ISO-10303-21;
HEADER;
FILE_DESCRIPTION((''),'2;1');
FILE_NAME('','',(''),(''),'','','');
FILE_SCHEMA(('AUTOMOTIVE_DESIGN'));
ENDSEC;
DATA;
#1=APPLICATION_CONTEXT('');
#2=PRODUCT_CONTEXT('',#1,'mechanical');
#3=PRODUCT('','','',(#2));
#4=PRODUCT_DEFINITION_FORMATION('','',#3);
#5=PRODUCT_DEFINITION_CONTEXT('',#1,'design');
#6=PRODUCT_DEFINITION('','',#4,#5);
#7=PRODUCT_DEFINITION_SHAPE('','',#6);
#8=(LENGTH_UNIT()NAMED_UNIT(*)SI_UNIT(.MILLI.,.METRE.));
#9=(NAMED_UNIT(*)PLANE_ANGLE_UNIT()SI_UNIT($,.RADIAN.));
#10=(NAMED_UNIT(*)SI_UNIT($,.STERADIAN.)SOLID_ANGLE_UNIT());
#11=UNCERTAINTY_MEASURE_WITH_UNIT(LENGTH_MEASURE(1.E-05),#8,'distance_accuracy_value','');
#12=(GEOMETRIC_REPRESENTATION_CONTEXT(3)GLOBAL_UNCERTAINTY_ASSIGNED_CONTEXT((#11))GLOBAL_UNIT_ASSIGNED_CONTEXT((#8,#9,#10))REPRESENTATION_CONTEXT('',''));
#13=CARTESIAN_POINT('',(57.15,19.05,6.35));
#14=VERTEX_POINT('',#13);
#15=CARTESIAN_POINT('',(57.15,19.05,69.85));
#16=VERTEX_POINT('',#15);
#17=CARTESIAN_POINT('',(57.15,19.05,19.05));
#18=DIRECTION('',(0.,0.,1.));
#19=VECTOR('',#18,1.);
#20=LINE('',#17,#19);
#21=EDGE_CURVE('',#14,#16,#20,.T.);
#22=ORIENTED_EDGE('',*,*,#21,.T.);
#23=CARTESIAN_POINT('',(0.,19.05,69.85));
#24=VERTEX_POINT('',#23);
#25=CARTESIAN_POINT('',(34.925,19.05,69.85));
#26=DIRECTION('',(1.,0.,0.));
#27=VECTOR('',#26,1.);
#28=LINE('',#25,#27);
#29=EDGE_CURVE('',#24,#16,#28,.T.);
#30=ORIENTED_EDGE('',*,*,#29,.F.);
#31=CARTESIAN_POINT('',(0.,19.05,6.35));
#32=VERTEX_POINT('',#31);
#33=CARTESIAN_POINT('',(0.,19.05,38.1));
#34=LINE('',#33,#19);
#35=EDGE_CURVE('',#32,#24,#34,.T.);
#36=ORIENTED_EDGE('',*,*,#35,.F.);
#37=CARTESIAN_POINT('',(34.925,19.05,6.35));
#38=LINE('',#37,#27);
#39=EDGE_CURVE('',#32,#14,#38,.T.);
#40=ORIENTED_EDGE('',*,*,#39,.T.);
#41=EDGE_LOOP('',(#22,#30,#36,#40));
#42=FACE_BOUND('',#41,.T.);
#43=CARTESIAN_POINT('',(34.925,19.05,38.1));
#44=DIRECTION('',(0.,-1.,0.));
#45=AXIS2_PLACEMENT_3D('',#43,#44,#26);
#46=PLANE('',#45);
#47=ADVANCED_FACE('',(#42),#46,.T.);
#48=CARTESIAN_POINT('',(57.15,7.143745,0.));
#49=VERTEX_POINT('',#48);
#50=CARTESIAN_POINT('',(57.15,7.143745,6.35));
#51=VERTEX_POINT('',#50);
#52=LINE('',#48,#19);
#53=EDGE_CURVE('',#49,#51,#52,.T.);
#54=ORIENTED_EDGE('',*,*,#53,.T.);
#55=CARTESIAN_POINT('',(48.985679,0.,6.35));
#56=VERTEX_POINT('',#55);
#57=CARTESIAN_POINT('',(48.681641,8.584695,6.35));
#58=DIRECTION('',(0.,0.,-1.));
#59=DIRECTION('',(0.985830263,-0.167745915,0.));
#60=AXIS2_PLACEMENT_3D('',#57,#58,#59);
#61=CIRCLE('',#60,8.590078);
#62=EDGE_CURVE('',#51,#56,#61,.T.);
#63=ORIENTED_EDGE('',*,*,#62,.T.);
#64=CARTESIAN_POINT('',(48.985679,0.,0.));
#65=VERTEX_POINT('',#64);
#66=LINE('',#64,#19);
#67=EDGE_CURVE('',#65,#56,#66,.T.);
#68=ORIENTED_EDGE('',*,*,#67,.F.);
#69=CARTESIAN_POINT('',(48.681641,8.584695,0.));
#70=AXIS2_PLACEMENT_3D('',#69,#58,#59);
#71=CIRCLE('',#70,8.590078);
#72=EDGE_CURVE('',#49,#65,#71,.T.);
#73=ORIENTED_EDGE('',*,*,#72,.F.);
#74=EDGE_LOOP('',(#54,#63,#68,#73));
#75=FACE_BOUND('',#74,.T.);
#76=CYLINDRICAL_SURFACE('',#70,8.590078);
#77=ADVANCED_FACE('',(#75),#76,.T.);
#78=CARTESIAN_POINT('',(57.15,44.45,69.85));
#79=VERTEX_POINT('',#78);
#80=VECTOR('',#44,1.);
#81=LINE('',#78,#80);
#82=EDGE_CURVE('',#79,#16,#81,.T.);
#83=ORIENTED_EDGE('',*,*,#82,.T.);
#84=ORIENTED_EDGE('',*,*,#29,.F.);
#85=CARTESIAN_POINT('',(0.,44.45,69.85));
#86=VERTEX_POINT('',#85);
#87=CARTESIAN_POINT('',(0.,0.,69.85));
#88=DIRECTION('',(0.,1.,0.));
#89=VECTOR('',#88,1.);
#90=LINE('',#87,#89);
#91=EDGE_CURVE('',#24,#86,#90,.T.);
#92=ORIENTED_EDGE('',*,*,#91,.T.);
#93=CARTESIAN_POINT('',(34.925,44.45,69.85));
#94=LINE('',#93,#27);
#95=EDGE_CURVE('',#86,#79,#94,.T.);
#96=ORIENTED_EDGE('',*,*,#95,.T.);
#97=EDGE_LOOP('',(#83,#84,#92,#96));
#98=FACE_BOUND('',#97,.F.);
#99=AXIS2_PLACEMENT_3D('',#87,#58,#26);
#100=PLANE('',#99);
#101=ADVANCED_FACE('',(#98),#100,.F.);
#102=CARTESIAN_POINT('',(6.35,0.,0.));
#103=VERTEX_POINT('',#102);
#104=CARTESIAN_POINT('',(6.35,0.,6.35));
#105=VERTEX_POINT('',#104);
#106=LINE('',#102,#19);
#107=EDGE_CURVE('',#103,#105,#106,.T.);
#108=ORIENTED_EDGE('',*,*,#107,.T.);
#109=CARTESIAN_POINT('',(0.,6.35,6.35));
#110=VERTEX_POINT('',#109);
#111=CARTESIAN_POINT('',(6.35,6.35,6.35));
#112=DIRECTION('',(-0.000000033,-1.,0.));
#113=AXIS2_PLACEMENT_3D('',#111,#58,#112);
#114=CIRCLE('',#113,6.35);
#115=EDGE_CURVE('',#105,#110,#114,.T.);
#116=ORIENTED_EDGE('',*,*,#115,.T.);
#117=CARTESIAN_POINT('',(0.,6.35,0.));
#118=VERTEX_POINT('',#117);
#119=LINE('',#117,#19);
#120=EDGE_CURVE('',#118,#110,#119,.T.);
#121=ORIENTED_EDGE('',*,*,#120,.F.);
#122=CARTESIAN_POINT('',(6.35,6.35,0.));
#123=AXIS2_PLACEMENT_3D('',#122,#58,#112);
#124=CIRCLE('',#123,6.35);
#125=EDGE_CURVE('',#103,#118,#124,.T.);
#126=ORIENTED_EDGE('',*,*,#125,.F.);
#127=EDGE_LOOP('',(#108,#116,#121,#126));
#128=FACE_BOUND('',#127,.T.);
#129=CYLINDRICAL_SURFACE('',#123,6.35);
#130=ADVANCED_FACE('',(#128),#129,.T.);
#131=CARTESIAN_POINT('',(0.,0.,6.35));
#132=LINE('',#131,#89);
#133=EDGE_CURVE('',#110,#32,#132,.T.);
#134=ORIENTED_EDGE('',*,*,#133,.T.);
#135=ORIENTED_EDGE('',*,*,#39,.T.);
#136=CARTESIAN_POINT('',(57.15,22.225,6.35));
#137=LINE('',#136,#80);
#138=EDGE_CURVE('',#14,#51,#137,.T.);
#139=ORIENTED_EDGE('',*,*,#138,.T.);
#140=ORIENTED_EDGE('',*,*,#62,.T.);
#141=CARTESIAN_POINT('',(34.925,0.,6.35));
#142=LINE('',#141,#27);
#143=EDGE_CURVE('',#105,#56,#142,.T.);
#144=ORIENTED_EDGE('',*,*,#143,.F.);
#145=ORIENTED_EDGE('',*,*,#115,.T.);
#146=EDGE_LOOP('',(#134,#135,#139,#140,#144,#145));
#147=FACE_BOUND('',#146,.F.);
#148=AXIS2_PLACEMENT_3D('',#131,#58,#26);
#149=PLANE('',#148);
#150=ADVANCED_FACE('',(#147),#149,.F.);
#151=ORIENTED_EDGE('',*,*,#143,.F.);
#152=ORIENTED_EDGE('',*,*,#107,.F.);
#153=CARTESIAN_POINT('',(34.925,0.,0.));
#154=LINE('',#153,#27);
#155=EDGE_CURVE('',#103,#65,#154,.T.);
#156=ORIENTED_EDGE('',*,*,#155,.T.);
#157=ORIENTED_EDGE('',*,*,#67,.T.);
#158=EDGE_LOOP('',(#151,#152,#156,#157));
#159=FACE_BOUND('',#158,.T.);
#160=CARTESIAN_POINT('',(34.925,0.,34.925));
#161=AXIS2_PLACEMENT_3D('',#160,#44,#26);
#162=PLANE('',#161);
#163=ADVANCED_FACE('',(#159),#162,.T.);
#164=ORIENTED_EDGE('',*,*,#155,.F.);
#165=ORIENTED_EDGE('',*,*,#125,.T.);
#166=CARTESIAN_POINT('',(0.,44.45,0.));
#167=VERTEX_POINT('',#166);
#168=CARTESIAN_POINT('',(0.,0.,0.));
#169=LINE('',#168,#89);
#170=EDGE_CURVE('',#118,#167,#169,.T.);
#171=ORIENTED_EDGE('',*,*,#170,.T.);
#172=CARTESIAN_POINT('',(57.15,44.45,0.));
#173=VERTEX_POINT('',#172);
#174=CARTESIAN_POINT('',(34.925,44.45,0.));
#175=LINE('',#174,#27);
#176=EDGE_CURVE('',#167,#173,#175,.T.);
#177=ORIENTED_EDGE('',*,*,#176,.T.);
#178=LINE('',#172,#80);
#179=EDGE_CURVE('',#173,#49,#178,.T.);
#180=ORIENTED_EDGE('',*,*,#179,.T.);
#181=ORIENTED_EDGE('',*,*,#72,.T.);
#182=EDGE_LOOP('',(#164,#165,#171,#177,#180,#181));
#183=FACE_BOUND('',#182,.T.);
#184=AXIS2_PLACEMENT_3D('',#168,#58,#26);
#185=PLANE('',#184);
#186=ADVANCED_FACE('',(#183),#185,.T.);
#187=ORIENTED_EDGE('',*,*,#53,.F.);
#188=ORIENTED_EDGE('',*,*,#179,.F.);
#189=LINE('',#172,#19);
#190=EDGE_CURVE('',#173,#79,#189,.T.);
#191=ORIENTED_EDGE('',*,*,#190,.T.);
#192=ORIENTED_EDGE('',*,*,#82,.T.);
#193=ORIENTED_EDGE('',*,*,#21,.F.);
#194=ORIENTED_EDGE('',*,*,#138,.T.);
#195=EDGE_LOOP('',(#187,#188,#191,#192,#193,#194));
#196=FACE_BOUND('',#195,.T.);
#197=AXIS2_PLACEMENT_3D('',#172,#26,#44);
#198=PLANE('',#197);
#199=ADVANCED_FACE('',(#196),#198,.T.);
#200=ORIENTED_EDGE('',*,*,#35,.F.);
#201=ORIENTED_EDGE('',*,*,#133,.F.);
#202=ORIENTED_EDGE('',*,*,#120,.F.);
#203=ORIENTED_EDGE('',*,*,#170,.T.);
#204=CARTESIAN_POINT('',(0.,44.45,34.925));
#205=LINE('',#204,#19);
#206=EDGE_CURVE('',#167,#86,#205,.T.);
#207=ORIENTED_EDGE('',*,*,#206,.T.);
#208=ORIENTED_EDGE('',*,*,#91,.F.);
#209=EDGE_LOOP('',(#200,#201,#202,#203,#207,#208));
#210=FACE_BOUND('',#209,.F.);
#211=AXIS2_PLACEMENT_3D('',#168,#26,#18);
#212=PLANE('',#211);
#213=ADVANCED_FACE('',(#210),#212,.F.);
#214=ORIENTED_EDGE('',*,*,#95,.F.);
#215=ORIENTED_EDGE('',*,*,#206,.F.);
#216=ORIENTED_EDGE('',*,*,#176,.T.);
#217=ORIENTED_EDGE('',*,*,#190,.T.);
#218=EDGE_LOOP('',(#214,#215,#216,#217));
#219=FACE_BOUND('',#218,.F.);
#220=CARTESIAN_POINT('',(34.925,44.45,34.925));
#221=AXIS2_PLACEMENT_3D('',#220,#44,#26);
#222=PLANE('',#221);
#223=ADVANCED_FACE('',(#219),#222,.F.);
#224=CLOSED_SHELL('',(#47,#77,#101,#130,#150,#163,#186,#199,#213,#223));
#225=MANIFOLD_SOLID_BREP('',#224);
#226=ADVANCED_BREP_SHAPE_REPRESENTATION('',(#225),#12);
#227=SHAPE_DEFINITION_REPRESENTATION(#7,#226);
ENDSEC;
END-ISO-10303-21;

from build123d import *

# Parameters (mm, degrees)
F0_W     = 69.85
F0_H     = 69.85
F1_DEPTH = 44.45
F2_W     = 69.85
F2_H     = 63.5
F3_DEPTH = 19.05
F5_DEPTH = 69.85
F7_DEPTH = 25.4


with BuildPart() as f1:
    # F0 (on Front) → F1 (new body)
    with BuildSketch(Plane.XZ):
        with Locations((34.925, 34.925)):
            Rectangle(F0_W, F0_H)
    extrude(amount=-F1_DEPTH)

    # F2 (on face) → F3 (cut)
    with BuildSketch(Plane.XZ):
        with Locations((34.925, 38.1)):
            Rectangle(F2_W, F2_H)
    extrude(amount=-F3_DEPTH, mode=Mode.SUBTRACT)

    # F4 (on Top) → F5 (cut)
    with BuildSketch(Plane.XY):
        with BuildLine():
            ThreePointArc((57.15, 7.143745), (54.338231, 2.119989), (48.985679, 0))
            Line((48.985679, 0), (69.85, 0))
            Line((69.85, 0), (69.85, 44.45))
            Line((69.85, 44.45), (57.15, 44.45))
            Line((57.15, 44.45), (57.15, 7.143745))
        make_face()
    extrude(amount=F5_DEPTH, mode=Mode.SUBTRACT)

    # F6 (on Top) → F7 (cut)
    with BuildSketch(Plane.XY):
        with BuildLine():
            ThreePointArc((6.35, 0), (1.859872, 1.859872), (0, 6.35))
            Line((0, 6.35), (0, 0))
            Line((0, 0), (6.35, 0))
        make_face()
    extrude(amount=F7_DEPTH, mode=Mode.SUBTRACT)


solid = f1.part
